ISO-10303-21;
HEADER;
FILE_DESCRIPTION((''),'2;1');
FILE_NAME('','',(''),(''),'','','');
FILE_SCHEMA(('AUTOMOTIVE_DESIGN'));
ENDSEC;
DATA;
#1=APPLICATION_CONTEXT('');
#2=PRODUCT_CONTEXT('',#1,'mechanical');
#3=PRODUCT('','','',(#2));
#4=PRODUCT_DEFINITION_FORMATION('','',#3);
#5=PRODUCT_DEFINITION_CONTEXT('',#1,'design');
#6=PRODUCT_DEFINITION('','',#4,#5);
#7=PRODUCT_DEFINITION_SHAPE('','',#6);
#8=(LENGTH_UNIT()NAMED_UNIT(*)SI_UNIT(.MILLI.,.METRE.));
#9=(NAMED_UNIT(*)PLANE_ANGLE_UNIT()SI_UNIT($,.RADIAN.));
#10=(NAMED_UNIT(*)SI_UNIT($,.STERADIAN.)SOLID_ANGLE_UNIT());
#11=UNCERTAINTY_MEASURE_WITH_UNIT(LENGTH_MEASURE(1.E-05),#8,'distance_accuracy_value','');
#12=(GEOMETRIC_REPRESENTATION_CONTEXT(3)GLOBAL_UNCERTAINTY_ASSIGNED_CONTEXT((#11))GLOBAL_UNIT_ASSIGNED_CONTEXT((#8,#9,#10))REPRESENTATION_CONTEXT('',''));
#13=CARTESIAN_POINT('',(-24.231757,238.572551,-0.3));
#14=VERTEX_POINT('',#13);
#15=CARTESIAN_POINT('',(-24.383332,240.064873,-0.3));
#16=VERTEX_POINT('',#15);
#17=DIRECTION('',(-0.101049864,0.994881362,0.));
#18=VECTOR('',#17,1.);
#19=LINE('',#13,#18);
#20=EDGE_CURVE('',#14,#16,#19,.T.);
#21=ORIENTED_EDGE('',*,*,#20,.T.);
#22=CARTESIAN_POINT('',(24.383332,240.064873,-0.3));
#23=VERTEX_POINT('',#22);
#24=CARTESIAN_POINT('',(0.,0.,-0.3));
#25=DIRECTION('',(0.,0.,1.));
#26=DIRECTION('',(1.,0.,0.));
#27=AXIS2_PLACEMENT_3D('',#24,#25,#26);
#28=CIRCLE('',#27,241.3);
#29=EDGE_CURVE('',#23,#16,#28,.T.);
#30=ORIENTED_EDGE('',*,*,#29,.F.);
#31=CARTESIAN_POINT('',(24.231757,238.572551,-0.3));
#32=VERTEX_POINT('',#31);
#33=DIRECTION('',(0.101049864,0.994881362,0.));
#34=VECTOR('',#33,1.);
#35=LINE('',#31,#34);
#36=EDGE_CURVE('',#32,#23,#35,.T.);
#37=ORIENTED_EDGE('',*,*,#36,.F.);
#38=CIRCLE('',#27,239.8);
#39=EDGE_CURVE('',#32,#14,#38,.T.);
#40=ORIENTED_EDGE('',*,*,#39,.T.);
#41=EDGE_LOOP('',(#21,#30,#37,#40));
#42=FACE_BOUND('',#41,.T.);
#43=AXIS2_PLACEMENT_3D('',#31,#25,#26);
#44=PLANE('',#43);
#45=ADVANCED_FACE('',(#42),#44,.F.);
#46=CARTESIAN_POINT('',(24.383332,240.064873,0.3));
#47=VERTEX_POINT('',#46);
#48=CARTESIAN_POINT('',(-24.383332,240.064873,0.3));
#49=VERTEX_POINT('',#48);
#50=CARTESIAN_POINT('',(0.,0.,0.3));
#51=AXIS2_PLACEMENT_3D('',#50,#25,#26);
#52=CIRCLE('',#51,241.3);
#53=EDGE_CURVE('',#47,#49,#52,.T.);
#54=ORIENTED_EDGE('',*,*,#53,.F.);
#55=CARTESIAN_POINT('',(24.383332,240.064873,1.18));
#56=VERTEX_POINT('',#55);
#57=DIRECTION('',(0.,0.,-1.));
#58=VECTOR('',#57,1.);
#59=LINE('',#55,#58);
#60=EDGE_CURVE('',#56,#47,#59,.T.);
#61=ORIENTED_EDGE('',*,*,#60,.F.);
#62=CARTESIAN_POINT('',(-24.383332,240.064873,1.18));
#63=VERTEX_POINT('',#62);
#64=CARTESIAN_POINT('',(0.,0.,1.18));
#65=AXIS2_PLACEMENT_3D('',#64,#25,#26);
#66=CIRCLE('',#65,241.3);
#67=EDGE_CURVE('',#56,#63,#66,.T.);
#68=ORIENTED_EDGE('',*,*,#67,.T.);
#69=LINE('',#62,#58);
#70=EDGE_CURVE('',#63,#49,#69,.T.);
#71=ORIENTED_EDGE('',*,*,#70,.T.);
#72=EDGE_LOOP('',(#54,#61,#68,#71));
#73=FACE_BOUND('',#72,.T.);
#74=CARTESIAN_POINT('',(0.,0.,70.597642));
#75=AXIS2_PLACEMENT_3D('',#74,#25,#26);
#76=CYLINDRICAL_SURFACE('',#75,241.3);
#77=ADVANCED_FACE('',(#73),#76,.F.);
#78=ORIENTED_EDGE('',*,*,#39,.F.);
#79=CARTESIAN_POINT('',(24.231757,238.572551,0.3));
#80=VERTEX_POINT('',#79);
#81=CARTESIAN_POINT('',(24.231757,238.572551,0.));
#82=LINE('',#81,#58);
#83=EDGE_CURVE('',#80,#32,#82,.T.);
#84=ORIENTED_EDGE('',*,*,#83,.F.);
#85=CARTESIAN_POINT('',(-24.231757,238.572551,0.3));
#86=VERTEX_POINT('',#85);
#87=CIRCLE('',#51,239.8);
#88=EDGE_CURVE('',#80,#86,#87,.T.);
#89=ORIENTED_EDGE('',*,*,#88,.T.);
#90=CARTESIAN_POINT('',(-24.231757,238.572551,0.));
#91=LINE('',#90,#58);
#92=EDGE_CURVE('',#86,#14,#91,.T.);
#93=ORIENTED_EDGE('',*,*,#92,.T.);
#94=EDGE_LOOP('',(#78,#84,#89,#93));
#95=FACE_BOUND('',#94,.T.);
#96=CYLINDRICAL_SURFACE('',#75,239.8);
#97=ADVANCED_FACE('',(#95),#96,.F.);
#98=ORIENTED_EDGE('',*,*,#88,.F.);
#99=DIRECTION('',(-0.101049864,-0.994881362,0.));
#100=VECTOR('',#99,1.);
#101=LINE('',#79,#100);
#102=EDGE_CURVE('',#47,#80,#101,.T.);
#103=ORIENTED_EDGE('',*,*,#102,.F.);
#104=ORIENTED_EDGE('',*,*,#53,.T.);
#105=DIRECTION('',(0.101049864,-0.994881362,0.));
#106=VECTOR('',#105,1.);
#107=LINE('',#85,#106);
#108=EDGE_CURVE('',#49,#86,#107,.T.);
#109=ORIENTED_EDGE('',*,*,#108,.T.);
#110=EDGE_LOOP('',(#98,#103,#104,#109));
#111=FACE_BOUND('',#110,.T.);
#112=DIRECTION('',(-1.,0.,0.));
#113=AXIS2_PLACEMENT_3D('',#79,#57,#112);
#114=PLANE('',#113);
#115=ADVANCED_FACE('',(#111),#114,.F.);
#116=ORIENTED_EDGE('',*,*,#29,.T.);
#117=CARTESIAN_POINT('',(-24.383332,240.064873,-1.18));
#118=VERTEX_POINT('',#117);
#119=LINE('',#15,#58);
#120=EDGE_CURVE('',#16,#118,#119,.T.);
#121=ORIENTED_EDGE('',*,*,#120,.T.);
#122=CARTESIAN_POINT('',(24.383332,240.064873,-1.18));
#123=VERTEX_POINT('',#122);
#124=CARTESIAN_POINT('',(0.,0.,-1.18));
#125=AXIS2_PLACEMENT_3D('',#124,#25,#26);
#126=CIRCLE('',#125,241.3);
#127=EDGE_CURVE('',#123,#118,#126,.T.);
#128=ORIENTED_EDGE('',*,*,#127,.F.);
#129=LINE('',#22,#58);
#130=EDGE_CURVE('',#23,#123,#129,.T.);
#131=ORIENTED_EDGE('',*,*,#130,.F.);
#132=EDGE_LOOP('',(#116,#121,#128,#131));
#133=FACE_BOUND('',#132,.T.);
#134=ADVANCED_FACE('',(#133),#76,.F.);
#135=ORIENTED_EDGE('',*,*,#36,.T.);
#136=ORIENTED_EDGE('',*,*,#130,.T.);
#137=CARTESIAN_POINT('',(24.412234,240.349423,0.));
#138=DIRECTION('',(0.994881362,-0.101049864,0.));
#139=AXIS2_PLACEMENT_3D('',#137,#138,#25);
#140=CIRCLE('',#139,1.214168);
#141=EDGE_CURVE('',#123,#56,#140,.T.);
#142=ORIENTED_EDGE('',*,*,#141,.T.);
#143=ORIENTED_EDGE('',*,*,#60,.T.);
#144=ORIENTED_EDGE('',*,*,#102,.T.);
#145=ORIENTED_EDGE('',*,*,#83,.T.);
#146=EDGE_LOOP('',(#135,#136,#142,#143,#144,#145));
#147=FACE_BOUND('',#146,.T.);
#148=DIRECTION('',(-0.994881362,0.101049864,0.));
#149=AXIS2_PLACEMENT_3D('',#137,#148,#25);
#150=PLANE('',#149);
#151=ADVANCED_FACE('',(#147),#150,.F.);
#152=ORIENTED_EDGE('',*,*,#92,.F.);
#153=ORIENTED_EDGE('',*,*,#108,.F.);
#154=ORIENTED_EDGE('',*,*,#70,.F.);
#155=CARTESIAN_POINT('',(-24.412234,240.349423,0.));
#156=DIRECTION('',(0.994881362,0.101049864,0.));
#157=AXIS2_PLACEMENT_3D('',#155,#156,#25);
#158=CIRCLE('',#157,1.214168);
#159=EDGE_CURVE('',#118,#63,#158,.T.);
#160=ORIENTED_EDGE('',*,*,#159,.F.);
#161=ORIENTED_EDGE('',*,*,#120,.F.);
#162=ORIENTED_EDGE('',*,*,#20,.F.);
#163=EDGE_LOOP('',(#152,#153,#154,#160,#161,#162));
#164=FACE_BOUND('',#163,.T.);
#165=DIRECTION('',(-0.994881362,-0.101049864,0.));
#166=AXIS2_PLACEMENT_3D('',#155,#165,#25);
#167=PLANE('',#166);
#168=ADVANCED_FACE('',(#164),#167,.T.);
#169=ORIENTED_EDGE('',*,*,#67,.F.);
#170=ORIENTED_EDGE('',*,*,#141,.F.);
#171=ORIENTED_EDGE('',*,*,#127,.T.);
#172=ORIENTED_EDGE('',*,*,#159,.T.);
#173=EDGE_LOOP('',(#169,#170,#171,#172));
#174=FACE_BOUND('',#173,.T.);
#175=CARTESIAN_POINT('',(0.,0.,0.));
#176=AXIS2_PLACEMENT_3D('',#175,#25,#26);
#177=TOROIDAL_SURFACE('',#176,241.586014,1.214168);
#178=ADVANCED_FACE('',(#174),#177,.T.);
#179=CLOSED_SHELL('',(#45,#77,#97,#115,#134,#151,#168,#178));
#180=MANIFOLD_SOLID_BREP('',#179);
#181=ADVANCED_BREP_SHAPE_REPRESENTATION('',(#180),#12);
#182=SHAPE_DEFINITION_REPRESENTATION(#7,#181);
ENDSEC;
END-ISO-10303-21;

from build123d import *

# Parameters (mm, degrees)
REVOLVE1_ANGLE           = 5.799629493
REVOLVE1_OTHER_WAY_ANGLE = 5.799629493


with BuildPart() as part:
    # Sketch2 → Revolve1 (revolve)
    with BuildSketch(Plane(origin=(0, 0, 0), x_dir=(0, 0, -1), z_dir=(1, 0, 0))):
        with BuildLine():
            Line((0, 239.8), (0.3, 239.8))
            Line((0.3, 239.8), (0.3, 241.3))
            Line((0.3, 241.3), (1.18, 241.3))
            ThreePointArc((1.18, 241.3), (0, 242.800182019), (-1.18, 241.3))
            Line((-1.18, 241.3), (-0.3, 241.3))
            Line((-0.3, 241.3), (-0.3, 239.8))
            Line((-0.3, 239.8), (0, 239.8))
        make_face()
    revolve(axis=Axis((0, 0, 70.597641597), (0, 0, -1)), revolution_arc=REVOLVE1_ANGLE)

    # Sketch2 → Revolve1 other way (revolve)
    with BuildSketch(Plane(origin=(0, 0, 0), x_dir=(0, 0, -1), z_dir=(1, 0, 0))):
        with BuildLine():
            Line((0, 239.8), (0.3, 239.8))
            Line((0.3, 239.8), (0.3, 241.3))
            Line((0.3, 241.3), (1.18, 241.3))
            ThreePointArc((1.18, 241.3), (0, 242.800182019), (-1.18, 241.3))
            Line((-1.18, 241.3), (-0.3, 241.3))
            Line((-0.3, 241.3), (-0.3, 239.8))
            Line((-0.3, 239.8), (0, 239.8))
        make_face()
    revolve(axis=Axis((0, 0, 70.597641597), (0, 0, 1)), revolution_arc=REVOLVE1_OTHER_WAY_ANGLE)


solid = part.part
